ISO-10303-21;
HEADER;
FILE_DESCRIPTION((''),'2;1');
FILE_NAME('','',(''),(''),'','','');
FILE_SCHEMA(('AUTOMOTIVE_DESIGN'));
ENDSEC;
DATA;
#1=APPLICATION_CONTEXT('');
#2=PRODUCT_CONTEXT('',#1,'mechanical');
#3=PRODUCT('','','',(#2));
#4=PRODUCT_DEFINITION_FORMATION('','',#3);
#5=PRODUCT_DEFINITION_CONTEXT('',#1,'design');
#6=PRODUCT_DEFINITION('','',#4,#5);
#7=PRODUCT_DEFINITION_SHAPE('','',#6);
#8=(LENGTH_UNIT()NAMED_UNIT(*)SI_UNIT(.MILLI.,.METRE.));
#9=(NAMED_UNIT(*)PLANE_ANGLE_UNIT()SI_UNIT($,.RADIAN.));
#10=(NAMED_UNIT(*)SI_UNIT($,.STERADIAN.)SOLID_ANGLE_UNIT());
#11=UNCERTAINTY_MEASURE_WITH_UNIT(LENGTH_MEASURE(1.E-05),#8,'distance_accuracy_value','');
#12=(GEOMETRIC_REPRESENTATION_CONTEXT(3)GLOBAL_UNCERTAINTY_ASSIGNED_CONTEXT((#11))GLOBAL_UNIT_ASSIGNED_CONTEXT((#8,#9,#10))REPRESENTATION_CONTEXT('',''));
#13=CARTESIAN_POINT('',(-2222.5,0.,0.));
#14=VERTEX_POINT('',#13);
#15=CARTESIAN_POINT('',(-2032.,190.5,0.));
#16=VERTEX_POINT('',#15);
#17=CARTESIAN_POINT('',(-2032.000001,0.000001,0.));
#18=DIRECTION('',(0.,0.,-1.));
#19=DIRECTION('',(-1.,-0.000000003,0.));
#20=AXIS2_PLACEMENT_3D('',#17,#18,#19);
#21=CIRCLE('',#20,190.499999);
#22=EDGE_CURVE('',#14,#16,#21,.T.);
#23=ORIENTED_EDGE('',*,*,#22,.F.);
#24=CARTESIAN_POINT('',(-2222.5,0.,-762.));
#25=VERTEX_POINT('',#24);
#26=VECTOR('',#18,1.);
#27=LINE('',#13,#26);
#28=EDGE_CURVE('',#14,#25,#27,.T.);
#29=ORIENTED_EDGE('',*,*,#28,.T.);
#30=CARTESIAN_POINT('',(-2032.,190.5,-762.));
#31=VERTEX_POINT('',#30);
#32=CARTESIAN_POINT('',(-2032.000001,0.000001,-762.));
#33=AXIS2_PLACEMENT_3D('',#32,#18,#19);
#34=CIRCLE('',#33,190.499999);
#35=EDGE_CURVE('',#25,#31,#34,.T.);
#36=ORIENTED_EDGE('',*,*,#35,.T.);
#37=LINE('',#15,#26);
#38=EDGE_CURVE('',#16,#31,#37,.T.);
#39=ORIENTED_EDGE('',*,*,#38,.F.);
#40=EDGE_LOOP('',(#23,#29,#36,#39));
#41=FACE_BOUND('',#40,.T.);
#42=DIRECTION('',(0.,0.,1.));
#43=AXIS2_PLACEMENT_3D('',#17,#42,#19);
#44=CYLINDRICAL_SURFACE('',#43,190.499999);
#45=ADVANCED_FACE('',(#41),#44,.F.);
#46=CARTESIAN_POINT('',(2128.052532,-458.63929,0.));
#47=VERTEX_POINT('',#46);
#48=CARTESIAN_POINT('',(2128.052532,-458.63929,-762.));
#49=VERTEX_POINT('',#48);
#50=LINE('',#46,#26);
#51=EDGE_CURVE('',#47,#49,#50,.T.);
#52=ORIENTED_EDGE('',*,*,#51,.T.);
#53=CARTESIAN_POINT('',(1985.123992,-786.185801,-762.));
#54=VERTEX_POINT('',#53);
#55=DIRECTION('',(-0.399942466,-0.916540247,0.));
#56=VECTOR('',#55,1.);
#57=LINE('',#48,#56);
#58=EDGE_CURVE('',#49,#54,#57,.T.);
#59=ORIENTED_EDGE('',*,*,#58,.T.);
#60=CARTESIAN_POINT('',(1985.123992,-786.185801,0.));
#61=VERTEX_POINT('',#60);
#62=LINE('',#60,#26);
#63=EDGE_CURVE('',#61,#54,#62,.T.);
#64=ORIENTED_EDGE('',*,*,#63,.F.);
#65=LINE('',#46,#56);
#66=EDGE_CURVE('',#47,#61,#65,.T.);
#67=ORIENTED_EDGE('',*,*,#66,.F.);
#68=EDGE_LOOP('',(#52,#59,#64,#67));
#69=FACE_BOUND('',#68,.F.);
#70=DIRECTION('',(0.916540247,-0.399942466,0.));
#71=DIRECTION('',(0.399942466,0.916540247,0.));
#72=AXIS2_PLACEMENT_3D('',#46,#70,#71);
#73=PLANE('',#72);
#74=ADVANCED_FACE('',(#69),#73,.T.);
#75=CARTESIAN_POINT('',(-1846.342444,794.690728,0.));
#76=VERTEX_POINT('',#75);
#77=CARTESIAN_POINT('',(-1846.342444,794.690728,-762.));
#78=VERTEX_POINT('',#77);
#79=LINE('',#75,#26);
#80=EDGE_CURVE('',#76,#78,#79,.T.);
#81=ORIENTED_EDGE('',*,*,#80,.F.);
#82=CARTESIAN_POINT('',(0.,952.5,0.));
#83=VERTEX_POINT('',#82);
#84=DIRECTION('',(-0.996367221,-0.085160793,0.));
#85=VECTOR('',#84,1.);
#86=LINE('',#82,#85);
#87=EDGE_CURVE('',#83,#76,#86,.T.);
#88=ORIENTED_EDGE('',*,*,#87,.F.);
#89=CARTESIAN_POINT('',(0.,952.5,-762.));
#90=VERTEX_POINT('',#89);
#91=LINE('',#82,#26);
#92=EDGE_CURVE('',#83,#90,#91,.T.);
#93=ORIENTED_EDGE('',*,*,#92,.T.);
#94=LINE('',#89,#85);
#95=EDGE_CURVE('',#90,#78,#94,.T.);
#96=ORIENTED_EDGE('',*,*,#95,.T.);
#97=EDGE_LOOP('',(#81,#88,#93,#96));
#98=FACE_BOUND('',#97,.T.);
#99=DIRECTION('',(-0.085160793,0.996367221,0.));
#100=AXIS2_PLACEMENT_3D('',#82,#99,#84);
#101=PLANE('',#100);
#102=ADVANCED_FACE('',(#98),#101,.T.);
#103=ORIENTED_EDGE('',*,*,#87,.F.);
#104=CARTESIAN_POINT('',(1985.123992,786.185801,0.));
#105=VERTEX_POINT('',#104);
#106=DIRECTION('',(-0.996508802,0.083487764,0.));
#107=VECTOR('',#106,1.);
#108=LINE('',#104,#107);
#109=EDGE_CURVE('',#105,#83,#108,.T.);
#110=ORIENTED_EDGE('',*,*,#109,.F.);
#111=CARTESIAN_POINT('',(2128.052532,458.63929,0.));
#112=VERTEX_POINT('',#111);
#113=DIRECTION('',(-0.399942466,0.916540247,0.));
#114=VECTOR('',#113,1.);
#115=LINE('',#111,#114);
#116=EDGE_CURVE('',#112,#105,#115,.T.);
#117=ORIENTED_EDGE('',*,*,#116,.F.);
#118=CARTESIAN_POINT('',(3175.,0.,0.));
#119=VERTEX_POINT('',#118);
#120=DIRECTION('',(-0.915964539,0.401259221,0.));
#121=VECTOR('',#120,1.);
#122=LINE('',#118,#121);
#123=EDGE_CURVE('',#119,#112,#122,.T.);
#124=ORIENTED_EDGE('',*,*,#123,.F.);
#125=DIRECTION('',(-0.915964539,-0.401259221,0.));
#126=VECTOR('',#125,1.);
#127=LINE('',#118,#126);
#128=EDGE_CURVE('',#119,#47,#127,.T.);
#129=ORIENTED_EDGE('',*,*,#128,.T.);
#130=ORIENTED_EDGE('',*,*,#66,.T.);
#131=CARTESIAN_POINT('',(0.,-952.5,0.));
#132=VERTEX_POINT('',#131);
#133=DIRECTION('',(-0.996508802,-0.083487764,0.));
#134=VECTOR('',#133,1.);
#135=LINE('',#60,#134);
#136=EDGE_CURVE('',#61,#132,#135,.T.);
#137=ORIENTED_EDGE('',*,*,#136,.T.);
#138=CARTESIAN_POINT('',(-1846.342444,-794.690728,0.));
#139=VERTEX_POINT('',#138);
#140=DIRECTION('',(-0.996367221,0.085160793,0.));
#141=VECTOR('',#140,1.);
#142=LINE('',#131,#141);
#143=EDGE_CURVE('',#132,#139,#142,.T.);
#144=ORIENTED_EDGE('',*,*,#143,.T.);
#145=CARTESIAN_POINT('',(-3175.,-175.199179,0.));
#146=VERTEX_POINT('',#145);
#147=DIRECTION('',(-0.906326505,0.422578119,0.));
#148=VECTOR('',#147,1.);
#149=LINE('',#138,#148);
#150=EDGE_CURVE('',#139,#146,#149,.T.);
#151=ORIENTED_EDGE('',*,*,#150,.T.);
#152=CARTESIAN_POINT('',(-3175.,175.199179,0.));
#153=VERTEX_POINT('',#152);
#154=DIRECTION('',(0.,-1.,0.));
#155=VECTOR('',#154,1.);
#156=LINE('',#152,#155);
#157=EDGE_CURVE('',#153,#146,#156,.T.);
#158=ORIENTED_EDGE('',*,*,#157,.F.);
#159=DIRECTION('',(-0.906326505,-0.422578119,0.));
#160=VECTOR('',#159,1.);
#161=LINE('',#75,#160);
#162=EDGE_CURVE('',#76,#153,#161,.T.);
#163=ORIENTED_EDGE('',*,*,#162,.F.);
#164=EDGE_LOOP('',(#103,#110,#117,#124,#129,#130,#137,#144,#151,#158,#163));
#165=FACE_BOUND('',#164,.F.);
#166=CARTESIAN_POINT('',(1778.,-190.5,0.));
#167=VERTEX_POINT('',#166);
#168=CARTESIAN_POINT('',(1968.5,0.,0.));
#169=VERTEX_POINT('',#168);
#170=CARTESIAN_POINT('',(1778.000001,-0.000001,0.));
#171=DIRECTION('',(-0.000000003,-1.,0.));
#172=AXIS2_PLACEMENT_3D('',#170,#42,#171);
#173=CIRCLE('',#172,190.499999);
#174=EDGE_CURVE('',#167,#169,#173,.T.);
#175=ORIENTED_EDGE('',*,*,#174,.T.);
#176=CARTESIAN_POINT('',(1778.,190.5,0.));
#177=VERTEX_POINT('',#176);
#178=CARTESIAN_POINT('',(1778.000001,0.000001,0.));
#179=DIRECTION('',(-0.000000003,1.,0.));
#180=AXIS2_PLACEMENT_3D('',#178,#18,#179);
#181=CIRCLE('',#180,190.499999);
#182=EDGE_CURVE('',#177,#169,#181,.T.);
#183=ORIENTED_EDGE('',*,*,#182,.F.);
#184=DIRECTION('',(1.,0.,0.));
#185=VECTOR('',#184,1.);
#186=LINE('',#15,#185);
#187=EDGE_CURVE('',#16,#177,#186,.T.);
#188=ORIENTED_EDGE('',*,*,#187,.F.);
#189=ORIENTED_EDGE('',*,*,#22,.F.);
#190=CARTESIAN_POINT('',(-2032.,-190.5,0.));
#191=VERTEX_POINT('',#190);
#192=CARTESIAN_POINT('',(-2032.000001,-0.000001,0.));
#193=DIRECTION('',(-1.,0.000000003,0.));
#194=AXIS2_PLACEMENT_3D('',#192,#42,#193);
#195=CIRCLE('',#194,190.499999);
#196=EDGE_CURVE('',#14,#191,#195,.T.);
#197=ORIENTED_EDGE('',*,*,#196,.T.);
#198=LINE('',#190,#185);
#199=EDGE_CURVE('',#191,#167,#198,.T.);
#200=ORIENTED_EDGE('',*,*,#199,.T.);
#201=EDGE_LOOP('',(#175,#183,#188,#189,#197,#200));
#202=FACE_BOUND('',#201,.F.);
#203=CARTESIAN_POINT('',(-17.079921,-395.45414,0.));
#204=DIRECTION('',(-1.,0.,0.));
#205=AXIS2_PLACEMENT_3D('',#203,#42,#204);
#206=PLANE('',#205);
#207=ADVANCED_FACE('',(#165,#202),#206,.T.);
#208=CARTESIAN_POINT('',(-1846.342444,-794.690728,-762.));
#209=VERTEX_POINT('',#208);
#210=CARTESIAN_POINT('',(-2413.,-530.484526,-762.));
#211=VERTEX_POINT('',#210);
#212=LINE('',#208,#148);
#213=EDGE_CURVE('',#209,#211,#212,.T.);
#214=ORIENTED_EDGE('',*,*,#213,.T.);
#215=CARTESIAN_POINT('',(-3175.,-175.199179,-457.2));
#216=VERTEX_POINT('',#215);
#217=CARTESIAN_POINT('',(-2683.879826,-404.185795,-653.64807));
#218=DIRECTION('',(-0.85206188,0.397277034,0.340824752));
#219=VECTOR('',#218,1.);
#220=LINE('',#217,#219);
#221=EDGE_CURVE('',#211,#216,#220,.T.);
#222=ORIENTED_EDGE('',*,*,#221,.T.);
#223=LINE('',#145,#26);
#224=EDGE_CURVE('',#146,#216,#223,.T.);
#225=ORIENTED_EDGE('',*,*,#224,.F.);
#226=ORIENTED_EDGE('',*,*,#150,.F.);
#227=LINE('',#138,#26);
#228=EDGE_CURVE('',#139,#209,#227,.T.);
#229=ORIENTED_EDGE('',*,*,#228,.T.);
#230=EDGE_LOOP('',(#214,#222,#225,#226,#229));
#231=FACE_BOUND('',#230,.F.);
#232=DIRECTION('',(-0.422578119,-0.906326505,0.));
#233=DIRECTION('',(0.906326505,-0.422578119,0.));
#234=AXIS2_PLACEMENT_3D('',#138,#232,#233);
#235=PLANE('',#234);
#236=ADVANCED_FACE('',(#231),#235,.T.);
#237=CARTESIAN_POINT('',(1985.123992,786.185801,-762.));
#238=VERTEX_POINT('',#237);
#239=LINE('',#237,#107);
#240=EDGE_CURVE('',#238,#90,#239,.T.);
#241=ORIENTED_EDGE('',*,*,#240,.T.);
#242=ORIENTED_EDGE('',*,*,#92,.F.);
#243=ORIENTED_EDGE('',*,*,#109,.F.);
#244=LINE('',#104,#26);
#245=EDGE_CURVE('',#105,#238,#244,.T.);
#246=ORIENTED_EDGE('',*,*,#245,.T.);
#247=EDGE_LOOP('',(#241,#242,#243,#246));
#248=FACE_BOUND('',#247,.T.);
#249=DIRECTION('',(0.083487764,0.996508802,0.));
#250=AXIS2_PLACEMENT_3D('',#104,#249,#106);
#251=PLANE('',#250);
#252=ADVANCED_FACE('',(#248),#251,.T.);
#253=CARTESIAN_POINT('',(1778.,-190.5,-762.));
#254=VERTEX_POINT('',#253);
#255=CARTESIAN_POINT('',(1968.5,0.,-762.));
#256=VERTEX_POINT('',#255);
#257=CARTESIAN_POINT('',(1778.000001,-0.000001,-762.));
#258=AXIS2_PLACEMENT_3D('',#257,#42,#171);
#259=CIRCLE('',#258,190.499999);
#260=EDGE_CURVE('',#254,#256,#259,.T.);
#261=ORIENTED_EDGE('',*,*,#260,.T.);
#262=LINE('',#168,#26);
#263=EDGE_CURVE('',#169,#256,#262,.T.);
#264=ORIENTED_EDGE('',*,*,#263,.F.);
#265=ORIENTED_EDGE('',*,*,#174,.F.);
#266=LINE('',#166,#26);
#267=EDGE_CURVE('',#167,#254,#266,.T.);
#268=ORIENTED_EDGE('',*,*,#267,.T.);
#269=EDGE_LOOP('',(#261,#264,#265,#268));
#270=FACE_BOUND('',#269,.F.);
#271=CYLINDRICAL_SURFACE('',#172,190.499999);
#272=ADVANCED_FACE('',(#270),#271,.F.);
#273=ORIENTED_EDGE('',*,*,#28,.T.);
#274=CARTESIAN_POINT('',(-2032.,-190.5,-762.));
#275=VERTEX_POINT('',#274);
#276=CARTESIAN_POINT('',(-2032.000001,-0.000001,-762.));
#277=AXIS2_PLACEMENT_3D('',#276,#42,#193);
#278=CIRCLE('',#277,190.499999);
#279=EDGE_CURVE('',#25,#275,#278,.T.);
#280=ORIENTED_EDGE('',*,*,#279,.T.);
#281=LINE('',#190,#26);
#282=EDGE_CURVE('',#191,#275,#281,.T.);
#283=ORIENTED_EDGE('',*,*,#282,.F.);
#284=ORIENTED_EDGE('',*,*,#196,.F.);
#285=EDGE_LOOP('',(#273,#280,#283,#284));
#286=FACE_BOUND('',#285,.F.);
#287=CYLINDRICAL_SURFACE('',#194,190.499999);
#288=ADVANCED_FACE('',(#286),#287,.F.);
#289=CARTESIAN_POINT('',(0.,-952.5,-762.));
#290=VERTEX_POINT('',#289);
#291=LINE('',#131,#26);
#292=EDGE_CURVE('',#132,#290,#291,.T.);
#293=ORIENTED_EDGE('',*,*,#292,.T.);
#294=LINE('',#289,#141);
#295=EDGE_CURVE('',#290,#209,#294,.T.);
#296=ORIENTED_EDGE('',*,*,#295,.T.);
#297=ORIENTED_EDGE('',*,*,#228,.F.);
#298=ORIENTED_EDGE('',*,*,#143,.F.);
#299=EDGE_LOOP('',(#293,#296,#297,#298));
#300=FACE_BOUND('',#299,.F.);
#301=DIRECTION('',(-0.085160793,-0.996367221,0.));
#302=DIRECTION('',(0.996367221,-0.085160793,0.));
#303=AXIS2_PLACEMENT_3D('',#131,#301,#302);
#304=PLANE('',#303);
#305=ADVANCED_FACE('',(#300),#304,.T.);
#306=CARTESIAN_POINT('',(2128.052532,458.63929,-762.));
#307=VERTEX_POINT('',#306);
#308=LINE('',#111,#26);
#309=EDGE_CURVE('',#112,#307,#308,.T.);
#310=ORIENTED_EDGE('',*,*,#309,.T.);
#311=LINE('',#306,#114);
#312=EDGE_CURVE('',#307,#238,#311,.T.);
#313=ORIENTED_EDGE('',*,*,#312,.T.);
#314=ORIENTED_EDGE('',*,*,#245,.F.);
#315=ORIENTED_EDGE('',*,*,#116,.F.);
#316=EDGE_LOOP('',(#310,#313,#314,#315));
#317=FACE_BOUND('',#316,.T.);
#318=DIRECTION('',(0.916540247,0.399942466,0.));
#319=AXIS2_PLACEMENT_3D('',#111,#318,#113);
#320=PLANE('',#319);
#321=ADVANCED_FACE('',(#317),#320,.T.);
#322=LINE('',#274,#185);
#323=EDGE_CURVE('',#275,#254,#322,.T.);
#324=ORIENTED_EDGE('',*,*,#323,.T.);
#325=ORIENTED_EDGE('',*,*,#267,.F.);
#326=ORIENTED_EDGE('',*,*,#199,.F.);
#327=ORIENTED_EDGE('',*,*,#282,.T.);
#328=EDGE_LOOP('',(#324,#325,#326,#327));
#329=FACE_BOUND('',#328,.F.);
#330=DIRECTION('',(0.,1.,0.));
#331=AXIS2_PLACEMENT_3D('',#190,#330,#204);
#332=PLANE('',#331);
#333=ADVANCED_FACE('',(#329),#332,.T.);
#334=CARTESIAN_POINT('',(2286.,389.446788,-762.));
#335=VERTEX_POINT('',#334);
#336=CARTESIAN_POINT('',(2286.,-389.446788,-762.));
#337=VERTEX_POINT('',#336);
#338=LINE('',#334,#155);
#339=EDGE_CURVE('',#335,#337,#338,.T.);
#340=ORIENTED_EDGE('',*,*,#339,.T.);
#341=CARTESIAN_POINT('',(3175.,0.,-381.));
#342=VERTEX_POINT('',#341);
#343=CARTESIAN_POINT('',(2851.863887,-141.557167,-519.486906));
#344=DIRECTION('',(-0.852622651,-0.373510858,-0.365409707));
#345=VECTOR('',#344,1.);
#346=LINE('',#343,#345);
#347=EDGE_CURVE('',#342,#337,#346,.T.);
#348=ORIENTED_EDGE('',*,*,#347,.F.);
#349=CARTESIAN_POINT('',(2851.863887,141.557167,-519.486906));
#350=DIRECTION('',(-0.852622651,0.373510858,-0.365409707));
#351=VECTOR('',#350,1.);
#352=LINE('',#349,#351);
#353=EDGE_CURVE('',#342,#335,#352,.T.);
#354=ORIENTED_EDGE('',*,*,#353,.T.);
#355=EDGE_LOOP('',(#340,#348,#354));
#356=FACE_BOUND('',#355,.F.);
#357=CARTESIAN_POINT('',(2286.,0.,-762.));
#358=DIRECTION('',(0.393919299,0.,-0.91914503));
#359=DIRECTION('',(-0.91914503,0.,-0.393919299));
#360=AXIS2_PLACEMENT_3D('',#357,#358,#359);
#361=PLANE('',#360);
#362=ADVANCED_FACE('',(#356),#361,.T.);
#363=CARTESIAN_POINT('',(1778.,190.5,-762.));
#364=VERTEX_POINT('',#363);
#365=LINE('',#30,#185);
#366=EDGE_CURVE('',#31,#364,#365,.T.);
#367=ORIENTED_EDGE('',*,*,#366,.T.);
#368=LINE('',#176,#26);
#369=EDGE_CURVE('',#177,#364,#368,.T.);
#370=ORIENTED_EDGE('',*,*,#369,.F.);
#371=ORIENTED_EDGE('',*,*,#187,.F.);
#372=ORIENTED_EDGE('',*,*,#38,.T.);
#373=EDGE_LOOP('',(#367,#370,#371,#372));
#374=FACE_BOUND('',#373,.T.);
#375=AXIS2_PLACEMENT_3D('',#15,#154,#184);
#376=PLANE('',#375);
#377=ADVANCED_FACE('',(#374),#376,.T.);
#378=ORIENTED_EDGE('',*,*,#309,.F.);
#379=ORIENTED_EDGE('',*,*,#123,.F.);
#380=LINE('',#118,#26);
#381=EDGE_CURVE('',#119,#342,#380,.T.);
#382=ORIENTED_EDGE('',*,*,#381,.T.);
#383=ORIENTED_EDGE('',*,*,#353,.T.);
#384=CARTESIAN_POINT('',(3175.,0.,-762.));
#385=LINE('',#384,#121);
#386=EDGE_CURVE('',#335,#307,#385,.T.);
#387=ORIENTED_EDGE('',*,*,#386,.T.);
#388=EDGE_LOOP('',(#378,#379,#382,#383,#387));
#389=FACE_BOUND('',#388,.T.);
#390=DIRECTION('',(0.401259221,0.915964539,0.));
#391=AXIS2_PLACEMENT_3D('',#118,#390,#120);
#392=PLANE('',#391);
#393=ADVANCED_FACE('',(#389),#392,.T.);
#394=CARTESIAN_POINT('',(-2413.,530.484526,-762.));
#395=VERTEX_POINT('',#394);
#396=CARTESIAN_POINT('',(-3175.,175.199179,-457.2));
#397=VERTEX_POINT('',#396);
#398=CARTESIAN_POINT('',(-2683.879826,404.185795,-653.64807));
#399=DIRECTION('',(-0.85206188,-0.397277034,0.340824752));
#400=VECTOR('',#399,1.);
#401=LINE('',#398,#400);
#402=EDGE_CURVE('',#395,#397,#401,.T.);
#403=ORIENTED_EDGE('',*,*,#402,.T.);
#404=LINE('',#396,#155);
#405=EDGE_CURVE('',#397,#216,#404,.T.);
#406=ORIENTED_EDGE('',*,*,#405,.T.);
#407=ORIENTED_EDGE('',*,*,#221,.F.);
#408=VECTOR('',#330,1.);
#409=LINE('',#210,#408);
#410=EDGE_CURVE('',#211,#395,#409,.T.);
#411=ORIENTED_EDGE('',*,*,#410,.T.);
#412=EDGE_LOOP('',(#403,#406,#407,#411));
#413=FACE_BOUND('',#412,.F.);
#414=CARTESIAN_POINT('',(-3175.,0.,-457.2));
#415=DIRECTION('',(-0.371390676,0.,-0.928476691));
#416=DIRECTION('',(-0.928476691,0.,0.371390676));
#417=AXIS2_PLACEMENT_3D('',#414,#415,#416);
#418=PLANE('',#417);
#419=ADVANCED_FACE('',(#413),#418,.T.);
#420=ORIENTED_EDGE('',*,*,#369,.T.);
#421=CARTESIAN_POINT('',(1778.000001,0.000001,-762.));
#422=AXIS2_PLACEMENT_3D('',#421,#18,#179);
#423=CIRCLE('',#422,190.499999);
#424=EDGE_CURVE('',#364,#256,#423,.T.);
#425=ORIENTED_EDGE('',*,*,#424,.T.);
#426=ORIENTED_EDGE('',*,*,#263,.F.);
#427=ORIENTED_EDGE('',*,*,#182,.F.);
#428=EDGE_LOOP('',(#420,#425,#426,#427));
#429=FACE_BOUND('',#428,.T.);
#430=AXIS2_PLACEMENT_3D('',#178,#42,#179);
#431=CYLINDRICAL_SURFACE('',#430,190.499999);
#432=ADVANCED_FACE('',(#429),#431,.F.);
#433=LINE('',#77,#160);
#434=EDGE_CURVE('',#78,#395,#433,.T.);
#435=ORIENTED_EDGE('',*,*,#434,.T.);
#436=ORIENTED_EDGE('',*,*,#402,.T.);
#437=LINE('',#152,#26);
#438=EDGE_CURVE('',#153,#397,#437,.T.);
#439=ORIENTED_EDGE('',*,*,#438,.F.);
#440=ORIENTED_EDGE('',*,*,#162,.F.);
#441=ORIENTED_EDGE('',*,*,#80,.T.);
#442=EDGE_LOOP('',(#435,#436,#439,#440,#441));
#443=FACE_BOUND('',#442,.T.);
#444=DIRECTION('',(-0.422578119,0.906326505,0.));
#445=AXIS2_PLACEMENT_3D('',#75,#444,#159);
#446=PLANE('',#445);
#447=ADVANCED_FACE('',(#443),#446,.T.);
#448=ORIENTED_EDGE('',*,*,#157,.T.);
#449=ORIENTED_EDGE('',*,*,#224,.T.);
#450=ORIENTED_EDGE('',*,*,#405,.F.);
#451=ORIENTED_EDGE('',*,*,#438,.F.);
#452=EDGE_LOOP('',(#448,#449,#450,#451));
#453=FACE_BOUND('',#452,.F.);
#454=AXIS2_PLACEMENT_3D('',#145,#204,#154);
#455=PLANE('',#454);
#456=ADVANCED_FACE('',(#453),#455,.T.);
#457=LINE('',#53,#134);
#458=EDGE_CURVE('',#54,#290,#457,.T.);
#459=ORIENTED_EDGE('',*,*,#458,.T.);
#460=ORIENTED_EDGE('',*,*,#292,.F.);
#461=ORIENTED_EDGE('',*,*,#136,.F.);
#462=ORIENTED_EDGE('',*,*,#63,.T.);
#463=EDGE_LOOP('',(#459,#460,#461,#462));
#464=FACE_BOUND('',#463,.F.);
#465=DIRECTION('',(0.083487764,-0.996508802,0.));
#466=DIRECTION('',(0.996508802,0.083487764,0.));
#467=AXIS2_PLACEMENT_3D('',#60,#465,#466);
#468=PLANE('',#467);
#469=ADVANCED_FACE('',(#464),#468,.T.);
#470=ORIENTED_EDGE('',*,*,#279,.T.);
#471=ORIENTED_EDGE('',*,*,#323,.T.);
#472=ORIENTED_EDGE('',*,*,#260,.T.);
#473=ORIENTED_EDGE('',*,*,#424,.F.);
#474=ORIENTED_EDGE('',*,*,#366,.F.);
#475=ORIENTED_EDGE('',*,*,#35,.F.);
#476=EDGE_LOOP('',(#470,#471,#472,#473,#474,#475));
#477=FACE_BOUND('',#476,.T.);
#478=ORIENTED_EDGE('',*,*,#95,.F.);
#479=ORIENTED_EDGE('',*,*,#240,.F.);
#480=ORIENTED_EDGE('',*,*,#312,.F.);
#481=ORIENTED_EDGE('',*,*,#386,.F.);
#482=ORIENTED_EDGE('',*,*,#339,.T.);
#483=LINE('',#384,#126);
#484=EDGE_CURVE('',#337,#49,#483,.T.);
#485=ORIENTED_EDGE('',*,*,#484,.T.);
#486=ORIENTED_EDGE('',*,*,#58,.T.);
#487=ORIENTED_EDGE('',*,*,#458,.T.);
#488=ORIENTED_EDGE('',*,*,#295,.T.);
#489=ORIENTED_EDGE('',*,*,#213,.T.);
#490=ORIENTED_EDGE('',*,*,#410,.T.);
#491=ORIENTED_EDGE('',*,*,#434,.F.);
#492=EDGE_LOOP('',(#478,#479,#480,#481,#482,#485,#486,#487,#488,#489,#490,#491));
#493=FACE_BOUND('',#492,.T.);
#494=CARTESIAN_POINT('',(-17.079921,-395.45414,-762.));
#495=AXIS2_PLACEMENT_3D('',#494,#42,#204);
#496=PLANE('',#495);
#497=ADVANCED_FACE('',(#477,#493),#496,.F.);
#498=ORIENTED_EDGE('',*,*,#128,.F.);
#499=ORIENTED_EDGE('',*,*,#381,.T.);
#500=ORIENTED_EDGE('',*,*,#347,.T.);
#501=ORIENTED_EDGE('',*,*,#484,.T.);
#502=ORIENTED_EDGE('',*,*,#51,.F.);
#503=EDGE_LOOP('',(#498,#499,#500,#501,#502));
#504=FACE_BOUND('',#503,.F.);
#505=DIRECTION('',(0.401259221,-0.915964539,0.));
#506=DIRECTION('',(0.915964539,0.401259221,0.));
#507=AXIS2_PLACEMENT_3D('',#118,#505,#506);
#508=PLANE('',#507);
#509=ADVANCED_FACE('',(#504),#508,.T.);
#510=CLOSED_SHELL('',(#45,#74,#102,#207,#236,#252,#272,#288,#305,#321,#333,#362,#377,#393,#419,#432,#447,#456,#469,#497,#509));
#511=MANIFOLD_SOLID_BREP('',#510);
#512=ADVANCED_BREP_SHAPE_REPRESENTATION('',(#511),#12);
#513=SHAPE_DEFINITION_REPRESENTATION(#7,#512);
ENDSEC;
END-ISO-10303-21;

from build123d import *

# Parameters (mm, degrees)
F1_DEPTH = 762
F3_DEPTH = 952.501


with BuildPart() as f1:
    # F0 (on Top) → F1 (new body)
    with BuildSketch(Plane.XY):
        with BuildLine():
            Line((1968.5, 0), (3175, 0))
            Line((3175, 0), (2128.052532, 458.63929))
            Line((2128.052532, 458.63929), (1985.123992, 786.185801))
            Line((1985.123992, 786.185801), (0, 952.5))
            Line((0, 952.5), (-1846.342444, 794.690728))
            Line((-1846.342444, 794.690728), (-3175, 175.199179))
            Line((-3175, 175.199179), (-3175, 0))
            Line((-3175, 0), (-2222.5, 0))
            ThreePointArc((-2222.5, 0), (-2166.703842, 134.703842), (-2032, 190.5))
            Line((-2032, 190.5), (1778, 190.5))
            ThreePointArc((1778, 190.5), (1912.703842, 134.703842), (1968.5, 0))
        make_face()
    extrude(amount=-F1_DEPTH)

    # F2 (on face) → F3 (intersect, through all)
    with BuildSketch(Plane.XZ):
        Polygon((2286, -762), (3175, -381), (3175, 0), (-3175, 0), (-3175, -457.2), (-2413, -762), align=None)
    extrude(amount=-F3_DEPTH, mode=Mode.INTERSECT)

    # F4: F1 across face


with BuildPart() as f1_1:
    add(f1.part)
    add(f1.part.mirror(Plane(origin=(-2656.416667, 0, -327.780952), x_dir=(1, 0, 0), z_dir=(0, -1, 0))))


solid = f1_1.part
